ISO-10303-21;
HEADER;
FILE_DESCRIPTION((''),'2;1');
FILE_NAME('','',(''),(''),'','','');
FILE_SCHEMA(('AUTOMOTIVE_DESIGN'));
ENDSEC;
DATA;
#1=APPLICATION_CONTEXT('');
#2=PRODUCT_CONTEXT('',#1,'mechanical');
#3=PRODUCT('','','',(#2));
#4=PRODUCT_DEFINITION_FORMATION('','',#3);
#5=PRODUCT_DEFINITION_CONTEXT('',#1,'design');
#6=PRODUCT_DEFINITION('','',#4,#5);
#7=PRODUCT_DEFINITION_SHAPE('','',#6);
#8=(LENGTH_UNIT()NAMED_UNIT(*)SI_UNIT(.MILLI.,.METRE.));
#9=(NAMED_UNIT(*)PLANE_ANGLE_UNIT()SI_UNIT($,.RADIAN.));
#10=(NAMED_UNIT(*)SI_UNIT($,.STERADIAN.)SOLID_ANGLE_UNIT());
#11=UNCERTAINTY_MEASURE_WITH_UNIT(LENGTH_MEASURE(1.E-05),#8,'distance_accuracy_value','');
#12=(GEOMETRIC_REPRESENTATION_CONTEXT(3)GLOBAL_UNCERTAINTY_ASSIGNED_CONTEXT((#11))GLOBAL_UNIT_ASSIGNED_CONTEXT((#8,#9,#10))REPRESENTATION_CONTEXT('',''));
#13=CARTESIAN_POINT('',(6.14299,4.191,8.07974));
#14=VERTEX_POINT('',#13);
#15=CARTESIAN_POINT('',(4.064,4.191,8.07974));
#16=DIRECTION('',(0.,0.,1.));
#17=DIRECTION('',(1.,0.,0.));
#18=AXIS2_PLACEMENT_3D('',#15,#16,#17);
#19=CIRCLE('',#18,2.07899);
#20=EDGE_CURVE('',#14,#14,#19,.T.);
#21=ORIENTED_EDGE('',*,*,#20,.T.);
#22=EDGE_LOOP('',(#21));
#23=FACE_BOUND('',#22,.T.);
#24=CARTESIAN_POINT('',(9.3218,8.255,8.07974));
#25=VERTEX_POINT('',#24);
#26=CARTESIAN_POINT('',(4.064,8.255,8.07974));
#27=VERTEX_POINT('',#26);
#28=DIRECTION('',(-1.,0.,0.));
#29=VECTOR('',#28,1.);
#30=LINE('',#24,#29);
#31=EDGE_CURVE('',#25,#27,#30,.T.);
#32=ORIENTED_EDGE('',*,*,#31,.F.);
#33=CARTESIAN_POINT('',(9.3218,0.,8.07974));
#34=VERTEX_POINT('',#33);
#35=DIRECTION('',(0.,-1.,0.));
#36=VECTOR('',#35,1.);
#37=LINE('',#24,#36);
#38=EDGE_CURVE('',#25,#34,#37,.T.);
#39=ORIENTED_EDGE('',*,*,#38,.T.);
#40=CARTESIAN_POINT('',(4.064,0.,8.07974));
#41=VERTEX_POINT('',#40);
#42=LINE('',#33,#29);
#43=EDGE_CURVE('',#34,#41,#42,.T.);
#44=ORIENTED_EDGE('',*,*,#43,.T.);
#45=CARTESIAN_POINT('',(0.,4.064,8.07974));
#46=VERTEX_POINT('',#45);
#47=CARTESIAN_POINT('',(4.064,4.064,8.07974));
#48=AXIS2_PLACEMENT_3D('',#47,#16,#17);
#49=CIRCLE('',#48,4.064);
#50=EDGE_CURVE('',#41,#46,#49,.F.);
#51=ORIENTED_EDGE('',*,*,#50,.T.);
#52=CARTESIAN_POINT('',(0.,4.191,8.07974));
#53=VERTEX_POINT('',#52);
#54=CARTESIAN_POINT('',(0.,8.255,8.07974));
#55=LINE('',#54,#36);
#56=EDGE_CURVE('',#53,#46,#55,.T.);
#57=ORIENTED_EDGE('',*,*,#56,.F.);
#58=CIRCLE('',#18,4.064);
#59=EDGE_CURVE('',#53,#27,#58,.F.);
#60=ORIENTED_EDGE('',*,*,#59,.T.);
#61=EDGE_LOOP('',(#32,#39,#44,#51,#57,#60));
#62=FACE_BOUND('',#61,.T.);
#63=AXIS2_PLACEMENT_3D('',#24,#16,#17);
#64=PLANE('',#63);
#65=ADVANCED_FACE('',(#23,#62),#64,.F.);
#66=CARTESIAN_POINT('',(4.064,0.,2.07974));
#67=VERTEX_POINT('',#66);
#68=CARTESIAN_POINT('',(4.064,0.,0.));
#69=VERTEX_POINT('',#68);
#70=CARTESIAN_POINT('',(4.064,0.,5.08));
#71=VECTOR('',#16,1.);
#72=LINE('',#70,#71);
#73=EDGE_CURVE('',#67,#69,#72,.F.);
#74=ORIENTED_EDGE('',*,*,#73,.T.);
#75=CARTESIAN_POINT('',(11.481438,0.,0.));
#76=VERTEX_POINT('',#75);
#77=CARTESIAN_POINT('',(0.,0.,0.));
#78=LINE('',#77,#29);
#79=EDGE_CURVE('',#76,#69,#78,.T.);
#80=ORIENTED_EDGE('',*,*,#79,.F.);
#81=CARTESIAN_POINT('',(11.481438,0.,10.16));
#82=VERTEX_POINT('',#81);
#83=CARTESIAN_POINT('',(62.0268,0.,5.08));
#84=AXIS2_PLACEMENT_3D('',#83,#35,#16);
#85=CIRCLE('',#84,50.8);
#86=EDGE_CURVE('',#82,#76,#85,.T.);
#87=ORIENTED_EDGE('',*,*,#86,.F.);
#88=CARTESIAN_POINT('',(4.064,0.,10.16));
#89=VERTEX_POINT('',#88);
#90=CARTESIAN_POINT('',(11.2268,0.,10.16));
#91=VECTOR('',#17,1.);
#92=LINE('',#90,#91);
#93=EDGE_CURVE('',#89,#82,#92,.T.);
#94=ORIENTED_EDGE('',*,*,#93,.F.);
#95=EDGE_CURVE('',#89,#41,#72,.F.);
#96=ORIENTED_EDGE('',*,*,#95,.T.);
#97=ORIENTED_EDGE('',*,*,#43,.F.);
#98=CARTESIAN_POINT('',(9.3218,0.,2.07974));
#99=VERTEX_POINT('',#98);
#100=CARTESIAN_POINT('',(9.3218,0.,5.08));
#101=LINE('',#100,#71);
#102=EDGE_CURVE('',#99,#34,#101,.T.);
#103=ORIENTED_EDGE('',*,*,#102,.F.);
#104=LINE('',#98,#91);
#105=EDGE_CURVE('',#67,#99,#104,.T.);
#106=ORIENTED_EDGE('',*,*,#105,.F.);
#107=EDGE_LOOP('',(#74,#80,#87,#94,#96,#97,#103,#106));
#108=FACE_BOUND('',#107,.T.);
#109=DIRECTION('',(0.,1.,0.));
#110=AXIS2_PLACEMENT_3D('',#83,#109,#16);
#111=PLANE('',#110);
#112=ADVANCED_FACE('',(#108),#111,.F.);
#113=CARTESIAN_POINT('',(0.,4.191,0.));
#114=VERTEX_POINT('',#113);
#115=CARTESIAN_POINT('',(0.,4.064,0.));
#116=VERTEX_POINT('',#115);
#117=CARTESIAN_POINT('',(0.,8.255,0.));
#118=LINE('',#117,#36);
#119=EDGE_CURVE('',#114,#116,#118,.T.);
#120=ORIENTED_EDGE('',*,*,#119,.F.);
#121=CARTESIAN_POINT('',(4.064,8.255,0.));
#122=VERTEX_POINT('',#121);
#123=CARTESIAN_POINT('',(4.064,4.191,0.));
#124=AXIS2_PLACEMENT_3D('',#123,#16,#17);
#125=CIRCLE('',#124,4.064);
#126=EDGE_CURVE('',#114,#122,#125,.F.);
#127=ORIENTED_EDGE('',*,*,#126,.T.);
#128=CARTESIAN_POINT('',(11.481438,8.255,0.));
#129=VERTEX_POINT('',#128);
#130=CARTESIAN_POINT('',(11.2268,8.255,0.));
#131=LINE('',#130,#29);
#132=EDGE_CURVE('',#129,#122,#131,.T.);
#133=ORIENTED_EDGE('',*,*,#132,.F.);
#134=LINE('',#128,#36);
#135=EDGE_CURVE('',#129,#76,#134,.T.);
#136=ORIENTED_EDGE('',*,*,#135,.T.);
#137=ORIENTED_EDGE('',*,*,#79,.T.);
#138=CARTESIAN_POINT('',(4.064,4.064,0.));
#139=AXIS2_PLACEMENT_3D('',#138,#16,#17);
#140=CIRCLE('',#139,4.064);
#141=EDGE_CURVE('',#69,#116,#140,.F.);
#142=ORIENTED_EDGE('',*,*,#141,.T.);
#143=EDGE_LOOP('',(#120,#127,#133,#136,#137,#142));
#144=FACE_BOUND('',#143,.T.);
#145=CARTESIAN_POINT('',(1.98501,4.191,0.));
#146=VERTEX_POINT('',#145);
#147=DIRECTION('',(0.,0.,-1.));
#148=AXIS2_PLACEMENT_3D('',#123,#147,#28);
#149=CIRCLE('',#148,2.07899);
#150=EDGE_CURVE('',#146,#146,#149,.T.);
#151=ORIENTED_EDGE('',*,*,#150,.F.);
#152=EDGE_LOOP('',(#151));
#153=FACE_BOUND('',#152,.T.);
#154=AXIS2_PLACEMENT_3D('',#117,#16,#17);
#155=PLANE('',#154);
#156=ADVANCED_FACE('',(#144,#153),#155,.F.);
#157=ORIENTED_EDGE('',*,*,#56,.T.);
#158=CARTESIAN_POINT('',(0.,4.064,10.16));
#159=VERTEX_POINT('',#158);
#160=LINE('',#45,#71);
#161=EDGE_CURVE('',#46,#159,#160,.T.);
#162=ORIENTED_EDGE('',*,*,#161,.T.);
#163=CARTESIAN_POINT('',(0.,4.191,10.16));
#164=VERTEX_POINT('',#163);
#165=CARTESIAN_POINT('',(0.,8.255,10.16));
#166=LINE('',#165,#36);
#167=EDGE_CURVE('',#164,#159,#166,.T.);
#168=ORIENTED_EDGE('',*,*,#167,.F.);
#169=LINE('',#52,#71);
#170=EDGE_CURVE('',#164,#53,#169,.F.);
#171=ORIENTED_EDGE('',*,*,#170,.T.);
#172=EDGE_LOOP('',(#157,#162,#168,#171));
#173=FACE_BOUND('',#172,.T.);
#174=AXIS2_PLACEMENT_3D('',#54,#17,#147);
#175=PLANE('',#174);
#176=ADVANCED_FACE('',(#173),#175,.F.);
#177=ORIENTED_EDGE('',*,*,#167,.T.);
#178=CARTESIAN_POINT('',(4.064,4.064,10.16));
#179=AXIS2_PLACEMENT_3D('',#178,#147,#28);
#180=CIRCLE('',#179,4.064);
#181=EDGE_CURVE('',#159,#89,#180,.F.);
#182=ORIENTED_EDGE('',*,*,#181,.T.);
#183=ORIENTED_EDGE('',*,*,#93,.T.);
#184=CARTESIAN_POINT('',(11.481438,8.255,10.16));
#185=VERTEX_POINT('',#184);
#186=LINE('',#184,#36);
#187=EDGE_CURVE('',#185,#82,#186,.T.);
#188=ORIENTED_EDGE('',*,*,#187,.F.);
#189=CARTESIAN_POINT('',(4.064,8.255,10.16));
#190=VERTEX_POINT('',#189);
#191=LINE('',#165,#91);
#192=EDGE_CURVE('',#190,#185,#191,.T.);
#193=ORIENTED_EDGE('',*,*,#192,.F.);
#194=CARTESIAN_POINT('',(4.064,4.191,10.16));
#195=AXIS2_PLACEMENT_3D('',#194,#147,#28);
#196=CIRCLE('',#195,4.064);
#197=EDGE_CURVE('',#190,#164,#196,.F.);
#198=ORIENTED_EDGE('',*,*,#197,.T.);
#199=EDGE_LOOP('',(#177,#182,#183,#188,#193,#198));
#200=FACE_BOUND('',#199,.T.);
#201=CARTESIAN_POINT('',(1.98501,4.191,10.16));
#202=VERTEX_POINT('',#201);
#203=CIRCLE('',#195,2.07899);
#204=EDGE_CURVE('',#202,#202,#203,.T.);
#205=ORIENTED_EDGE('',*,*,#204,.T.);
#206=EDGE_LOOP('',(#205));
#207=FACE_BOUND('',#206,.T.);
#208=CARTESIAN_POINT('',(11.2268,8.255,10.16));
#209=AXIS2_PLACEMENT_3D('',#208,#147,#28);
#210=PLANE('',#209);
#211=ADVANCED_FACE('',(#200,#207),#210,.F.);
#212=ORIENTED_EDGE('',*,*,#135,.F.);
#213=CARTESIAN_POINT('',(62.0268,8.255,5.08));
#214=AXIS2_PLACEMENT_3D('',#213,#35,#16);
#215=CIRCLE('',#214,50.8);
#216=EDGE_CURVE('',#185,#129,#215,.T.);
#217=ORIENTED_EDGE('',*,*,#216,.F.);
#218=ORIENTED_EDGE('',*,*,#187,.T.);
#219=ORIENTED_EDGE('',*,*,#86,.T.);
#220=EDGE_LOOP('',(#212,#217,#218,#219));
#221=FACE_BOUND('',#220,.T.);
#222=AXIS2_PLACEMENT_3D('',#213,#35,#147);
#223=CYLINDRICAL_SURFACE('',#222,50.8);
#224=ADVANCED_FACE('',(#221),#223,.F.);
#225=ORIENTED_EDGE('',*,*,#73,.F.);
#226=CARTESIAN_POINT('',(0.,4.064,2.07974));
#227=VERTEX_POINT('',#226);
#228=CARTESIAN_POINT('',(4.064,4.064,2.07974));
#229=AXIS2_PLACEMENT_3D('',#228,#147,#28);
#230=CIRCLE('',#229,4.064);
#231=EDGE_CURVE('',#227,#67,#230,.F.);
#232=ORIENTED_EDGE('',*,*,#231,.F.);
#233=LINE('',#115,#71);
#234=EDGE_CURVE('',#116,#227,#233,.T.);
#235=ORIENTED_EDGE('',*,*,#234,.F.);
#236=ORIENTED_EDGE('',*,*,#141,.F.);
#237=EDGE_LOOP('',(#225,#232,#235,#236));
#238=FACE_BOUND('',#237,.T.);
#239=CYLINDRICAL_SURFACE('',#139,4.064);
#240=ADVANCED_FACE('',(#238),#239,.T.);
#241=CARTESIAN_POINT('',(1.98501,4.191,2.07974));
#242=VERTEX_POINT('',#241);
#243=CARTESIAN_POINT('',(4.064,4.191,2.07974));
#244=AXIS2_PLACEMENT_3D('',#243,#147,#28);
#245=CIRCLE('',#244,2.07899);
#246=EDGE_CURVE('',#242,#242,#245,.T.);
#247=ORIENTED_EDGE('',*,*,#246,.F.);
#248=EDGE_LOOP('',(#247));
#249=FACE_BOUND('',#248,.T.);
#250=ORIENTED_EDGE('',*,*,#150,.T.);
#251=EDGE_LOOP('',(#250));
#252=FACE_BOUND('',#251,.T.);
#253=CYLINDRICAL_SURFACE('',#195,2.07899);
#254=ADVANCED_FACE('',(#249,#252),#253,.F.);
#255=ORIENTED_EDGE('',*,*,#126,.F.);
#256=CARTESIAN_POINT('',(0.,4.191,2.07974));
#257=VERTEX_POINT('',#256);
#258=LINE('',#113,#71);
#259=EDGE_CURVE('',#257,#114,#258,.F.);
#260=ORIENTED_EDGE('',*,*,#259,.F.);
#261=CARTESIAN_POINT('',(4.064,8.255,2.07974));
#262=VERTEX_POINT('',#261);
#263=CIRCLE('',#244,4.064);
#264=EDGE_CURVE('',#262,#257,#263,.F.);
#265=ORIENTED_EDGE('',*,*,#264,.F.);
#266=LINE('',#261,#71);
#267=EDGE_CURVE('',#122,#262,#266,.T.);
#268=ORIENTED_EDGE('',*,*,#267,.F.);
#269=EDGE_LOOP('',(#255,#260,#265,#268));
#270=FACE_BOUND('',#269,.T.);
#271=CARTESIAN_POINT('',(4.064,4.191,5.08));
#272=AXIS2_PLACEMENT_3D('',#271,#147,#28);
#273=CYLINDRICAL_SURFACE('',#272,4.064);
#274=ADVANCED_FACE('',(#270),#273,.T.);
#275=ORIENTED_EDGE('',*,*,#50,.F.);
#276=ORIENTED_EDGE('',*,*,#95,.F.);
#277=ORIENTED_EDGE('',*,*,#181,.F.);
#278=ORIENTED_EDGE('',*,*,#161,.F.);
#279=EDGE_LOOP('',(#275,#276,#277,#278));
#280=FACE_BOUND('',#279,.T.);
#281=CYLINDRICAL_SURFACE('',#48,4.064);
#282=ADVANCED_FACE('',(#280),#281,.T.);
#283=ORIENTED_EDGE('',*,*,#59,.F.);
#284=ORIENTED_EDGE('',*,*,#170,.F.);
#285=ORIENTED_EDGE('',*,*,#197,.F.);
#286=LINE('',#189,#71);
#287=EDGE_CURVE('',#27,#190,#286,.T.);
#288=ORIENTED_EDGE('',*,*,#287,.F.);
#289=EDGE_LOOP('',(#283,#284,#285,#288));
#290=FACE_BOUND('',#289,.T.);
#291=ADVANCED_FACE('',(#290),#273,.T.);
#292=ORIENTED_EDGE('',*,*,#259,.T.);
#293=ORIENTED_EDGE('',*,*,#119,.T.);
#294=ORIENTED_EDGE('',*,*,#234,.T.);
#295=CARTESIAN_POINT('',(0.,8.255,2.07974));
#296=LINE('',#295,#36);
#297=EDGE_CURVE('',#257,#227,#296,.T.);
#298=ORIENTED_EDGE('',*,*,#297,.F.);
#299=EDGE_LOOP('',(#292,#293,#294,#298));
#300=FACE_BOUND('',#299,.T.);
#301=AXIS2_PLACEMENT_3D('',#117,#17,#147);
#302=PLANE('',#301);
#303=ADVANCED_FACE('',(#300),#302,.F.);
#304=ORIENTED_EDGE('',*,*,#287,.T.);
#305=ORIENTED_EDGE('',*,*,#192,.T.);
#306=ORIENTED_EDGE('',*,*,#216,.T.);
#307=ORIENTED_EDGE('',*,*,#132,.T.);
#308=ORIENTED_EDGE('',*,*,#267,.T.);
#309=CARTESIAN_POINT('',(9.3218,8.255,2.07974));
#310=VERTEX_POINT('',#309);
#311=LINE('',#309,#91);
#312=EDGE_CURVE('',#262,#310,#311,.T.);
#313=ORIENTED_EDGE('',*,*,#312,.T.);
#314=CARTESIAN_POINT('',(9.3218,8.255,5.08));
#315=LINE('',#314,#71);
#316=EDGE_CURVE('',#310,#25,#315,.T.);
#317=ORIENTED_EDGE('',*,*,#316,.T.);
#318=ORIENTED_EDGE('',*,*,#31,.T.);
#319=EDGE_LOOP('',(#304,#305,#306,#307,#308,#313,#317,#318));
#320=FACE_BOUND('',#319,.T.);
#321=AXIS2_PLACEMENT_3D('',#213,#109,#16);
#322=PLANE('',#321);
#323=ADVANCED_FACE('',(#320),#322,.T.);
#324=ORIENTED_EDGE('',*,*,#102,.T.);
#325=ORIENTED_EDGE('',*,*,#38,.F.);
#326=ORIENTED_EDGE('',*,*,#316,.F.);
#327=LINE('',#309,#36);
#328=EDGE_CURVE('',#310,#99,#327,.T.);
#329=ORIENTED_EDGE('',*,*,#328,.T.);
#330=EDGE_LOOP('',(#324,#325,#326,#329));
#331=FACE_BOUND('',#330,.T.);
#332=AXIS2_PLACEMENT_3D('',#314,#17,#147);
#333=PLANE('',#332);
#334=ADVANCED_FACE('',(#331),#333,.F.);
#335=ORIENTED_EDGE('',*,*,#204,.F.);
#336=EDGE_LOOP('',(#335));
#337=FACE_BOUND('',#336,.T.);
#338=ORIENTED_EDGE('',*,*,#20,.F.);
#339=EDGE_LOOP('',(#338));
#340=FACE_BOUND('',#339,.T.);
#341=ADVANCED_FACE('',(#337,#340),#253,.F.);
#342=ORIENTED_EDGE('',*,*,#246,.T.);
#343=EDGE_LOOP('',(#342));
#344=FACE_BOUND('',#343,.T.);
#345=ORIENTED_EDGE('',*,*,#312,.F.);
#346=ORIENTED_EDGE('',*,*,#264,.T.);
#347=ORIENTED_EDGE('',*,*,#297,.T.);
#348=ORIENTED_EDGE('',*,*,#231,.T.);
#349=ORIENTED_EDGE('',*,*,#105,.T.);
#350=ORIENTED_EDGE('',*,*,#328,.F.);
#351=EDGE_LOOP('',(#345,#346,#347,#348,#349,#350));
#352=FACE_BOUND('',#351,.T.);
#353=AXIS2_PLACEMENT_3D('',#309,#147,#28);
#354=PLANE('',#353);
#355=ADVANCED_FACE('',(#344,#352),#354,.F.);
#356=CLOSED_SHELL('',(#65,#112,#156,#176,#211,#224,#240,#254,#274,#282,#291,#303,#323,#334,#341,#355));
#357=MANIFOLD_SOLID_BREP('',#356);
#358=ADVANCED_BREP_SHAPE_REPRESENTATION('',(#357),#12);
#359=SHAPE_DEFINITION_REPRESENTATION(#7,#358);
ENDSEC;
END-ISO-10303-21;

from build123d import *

# Parameters (mm, degrees)
BOSS_EXTRUDE2_DEPTH = 8.255
FILLET1_R           = 4.064
SKETCH2_R           = 2.07899
CUT_EXTRUDE1_DEPTH  = 11.16


with BuildPart() as part:
    # Sketch1 → Boss-Extrude2 (new body)
    with BuildSketch(Plane(origin=(0, 0, 0), x_dir=(1, 0, 0), z_dir=(0, 1, 0))):
        with BuildLine():
            Line((0, 0), (11.2268, 0))
            Line((11.2268, 0), (11.481438195, 0))
            ThreePointArc((11.481438195, 0), (11.2268, -5.08), (11.481438195, -10.16))
            Line((11.481438195, -10.16), (11.2268, -10.16))
            Line((11.2268, -10.16), (0, -10.16))
            Line((0, -10.16), (0, -8.07974))
            Line((0, -8.07974), (9.3218, -8.07974))
            Line((9.3218, -8.07974), (9.3218, -5.08))
            Line((9.3218, -5.08), (9.3218, -2.07974))
            Line((9.3218, -2.07974), (0, -2.07974))
            Line((0, -2.07974), (0, 0))
        make_face()
    extrude(amount=BOSS_EXTRUDE2_DEPTH)

    # Fillet1
    fillet1_edges = [part.edges().sort_by_distance(p)[0] for p in [
        (0, 0, 9.11987),
        (0, 0, 1.03987),
        (0, 8.255, 9.11987),
        (0, 8.255, 1.03987),
    ]]
    fillet(fillet1_edges, radius=FILLET1_R)

    # Sketch2 → Cut-Extrude1 (cut, through all)
    with BuildSketch(Plane(origin=(0, 0, 0), x_dir=(-1, 0, 0), z_dir=(0, 0, -1))):
        with Locations((-4.064, 4.191)):
            Circle(SKETCH2_R)
    extrude(amount=-CUT_EXTRUDE1_DEPTH, mode=Mode.SUBTRACT)


solid = part.part
